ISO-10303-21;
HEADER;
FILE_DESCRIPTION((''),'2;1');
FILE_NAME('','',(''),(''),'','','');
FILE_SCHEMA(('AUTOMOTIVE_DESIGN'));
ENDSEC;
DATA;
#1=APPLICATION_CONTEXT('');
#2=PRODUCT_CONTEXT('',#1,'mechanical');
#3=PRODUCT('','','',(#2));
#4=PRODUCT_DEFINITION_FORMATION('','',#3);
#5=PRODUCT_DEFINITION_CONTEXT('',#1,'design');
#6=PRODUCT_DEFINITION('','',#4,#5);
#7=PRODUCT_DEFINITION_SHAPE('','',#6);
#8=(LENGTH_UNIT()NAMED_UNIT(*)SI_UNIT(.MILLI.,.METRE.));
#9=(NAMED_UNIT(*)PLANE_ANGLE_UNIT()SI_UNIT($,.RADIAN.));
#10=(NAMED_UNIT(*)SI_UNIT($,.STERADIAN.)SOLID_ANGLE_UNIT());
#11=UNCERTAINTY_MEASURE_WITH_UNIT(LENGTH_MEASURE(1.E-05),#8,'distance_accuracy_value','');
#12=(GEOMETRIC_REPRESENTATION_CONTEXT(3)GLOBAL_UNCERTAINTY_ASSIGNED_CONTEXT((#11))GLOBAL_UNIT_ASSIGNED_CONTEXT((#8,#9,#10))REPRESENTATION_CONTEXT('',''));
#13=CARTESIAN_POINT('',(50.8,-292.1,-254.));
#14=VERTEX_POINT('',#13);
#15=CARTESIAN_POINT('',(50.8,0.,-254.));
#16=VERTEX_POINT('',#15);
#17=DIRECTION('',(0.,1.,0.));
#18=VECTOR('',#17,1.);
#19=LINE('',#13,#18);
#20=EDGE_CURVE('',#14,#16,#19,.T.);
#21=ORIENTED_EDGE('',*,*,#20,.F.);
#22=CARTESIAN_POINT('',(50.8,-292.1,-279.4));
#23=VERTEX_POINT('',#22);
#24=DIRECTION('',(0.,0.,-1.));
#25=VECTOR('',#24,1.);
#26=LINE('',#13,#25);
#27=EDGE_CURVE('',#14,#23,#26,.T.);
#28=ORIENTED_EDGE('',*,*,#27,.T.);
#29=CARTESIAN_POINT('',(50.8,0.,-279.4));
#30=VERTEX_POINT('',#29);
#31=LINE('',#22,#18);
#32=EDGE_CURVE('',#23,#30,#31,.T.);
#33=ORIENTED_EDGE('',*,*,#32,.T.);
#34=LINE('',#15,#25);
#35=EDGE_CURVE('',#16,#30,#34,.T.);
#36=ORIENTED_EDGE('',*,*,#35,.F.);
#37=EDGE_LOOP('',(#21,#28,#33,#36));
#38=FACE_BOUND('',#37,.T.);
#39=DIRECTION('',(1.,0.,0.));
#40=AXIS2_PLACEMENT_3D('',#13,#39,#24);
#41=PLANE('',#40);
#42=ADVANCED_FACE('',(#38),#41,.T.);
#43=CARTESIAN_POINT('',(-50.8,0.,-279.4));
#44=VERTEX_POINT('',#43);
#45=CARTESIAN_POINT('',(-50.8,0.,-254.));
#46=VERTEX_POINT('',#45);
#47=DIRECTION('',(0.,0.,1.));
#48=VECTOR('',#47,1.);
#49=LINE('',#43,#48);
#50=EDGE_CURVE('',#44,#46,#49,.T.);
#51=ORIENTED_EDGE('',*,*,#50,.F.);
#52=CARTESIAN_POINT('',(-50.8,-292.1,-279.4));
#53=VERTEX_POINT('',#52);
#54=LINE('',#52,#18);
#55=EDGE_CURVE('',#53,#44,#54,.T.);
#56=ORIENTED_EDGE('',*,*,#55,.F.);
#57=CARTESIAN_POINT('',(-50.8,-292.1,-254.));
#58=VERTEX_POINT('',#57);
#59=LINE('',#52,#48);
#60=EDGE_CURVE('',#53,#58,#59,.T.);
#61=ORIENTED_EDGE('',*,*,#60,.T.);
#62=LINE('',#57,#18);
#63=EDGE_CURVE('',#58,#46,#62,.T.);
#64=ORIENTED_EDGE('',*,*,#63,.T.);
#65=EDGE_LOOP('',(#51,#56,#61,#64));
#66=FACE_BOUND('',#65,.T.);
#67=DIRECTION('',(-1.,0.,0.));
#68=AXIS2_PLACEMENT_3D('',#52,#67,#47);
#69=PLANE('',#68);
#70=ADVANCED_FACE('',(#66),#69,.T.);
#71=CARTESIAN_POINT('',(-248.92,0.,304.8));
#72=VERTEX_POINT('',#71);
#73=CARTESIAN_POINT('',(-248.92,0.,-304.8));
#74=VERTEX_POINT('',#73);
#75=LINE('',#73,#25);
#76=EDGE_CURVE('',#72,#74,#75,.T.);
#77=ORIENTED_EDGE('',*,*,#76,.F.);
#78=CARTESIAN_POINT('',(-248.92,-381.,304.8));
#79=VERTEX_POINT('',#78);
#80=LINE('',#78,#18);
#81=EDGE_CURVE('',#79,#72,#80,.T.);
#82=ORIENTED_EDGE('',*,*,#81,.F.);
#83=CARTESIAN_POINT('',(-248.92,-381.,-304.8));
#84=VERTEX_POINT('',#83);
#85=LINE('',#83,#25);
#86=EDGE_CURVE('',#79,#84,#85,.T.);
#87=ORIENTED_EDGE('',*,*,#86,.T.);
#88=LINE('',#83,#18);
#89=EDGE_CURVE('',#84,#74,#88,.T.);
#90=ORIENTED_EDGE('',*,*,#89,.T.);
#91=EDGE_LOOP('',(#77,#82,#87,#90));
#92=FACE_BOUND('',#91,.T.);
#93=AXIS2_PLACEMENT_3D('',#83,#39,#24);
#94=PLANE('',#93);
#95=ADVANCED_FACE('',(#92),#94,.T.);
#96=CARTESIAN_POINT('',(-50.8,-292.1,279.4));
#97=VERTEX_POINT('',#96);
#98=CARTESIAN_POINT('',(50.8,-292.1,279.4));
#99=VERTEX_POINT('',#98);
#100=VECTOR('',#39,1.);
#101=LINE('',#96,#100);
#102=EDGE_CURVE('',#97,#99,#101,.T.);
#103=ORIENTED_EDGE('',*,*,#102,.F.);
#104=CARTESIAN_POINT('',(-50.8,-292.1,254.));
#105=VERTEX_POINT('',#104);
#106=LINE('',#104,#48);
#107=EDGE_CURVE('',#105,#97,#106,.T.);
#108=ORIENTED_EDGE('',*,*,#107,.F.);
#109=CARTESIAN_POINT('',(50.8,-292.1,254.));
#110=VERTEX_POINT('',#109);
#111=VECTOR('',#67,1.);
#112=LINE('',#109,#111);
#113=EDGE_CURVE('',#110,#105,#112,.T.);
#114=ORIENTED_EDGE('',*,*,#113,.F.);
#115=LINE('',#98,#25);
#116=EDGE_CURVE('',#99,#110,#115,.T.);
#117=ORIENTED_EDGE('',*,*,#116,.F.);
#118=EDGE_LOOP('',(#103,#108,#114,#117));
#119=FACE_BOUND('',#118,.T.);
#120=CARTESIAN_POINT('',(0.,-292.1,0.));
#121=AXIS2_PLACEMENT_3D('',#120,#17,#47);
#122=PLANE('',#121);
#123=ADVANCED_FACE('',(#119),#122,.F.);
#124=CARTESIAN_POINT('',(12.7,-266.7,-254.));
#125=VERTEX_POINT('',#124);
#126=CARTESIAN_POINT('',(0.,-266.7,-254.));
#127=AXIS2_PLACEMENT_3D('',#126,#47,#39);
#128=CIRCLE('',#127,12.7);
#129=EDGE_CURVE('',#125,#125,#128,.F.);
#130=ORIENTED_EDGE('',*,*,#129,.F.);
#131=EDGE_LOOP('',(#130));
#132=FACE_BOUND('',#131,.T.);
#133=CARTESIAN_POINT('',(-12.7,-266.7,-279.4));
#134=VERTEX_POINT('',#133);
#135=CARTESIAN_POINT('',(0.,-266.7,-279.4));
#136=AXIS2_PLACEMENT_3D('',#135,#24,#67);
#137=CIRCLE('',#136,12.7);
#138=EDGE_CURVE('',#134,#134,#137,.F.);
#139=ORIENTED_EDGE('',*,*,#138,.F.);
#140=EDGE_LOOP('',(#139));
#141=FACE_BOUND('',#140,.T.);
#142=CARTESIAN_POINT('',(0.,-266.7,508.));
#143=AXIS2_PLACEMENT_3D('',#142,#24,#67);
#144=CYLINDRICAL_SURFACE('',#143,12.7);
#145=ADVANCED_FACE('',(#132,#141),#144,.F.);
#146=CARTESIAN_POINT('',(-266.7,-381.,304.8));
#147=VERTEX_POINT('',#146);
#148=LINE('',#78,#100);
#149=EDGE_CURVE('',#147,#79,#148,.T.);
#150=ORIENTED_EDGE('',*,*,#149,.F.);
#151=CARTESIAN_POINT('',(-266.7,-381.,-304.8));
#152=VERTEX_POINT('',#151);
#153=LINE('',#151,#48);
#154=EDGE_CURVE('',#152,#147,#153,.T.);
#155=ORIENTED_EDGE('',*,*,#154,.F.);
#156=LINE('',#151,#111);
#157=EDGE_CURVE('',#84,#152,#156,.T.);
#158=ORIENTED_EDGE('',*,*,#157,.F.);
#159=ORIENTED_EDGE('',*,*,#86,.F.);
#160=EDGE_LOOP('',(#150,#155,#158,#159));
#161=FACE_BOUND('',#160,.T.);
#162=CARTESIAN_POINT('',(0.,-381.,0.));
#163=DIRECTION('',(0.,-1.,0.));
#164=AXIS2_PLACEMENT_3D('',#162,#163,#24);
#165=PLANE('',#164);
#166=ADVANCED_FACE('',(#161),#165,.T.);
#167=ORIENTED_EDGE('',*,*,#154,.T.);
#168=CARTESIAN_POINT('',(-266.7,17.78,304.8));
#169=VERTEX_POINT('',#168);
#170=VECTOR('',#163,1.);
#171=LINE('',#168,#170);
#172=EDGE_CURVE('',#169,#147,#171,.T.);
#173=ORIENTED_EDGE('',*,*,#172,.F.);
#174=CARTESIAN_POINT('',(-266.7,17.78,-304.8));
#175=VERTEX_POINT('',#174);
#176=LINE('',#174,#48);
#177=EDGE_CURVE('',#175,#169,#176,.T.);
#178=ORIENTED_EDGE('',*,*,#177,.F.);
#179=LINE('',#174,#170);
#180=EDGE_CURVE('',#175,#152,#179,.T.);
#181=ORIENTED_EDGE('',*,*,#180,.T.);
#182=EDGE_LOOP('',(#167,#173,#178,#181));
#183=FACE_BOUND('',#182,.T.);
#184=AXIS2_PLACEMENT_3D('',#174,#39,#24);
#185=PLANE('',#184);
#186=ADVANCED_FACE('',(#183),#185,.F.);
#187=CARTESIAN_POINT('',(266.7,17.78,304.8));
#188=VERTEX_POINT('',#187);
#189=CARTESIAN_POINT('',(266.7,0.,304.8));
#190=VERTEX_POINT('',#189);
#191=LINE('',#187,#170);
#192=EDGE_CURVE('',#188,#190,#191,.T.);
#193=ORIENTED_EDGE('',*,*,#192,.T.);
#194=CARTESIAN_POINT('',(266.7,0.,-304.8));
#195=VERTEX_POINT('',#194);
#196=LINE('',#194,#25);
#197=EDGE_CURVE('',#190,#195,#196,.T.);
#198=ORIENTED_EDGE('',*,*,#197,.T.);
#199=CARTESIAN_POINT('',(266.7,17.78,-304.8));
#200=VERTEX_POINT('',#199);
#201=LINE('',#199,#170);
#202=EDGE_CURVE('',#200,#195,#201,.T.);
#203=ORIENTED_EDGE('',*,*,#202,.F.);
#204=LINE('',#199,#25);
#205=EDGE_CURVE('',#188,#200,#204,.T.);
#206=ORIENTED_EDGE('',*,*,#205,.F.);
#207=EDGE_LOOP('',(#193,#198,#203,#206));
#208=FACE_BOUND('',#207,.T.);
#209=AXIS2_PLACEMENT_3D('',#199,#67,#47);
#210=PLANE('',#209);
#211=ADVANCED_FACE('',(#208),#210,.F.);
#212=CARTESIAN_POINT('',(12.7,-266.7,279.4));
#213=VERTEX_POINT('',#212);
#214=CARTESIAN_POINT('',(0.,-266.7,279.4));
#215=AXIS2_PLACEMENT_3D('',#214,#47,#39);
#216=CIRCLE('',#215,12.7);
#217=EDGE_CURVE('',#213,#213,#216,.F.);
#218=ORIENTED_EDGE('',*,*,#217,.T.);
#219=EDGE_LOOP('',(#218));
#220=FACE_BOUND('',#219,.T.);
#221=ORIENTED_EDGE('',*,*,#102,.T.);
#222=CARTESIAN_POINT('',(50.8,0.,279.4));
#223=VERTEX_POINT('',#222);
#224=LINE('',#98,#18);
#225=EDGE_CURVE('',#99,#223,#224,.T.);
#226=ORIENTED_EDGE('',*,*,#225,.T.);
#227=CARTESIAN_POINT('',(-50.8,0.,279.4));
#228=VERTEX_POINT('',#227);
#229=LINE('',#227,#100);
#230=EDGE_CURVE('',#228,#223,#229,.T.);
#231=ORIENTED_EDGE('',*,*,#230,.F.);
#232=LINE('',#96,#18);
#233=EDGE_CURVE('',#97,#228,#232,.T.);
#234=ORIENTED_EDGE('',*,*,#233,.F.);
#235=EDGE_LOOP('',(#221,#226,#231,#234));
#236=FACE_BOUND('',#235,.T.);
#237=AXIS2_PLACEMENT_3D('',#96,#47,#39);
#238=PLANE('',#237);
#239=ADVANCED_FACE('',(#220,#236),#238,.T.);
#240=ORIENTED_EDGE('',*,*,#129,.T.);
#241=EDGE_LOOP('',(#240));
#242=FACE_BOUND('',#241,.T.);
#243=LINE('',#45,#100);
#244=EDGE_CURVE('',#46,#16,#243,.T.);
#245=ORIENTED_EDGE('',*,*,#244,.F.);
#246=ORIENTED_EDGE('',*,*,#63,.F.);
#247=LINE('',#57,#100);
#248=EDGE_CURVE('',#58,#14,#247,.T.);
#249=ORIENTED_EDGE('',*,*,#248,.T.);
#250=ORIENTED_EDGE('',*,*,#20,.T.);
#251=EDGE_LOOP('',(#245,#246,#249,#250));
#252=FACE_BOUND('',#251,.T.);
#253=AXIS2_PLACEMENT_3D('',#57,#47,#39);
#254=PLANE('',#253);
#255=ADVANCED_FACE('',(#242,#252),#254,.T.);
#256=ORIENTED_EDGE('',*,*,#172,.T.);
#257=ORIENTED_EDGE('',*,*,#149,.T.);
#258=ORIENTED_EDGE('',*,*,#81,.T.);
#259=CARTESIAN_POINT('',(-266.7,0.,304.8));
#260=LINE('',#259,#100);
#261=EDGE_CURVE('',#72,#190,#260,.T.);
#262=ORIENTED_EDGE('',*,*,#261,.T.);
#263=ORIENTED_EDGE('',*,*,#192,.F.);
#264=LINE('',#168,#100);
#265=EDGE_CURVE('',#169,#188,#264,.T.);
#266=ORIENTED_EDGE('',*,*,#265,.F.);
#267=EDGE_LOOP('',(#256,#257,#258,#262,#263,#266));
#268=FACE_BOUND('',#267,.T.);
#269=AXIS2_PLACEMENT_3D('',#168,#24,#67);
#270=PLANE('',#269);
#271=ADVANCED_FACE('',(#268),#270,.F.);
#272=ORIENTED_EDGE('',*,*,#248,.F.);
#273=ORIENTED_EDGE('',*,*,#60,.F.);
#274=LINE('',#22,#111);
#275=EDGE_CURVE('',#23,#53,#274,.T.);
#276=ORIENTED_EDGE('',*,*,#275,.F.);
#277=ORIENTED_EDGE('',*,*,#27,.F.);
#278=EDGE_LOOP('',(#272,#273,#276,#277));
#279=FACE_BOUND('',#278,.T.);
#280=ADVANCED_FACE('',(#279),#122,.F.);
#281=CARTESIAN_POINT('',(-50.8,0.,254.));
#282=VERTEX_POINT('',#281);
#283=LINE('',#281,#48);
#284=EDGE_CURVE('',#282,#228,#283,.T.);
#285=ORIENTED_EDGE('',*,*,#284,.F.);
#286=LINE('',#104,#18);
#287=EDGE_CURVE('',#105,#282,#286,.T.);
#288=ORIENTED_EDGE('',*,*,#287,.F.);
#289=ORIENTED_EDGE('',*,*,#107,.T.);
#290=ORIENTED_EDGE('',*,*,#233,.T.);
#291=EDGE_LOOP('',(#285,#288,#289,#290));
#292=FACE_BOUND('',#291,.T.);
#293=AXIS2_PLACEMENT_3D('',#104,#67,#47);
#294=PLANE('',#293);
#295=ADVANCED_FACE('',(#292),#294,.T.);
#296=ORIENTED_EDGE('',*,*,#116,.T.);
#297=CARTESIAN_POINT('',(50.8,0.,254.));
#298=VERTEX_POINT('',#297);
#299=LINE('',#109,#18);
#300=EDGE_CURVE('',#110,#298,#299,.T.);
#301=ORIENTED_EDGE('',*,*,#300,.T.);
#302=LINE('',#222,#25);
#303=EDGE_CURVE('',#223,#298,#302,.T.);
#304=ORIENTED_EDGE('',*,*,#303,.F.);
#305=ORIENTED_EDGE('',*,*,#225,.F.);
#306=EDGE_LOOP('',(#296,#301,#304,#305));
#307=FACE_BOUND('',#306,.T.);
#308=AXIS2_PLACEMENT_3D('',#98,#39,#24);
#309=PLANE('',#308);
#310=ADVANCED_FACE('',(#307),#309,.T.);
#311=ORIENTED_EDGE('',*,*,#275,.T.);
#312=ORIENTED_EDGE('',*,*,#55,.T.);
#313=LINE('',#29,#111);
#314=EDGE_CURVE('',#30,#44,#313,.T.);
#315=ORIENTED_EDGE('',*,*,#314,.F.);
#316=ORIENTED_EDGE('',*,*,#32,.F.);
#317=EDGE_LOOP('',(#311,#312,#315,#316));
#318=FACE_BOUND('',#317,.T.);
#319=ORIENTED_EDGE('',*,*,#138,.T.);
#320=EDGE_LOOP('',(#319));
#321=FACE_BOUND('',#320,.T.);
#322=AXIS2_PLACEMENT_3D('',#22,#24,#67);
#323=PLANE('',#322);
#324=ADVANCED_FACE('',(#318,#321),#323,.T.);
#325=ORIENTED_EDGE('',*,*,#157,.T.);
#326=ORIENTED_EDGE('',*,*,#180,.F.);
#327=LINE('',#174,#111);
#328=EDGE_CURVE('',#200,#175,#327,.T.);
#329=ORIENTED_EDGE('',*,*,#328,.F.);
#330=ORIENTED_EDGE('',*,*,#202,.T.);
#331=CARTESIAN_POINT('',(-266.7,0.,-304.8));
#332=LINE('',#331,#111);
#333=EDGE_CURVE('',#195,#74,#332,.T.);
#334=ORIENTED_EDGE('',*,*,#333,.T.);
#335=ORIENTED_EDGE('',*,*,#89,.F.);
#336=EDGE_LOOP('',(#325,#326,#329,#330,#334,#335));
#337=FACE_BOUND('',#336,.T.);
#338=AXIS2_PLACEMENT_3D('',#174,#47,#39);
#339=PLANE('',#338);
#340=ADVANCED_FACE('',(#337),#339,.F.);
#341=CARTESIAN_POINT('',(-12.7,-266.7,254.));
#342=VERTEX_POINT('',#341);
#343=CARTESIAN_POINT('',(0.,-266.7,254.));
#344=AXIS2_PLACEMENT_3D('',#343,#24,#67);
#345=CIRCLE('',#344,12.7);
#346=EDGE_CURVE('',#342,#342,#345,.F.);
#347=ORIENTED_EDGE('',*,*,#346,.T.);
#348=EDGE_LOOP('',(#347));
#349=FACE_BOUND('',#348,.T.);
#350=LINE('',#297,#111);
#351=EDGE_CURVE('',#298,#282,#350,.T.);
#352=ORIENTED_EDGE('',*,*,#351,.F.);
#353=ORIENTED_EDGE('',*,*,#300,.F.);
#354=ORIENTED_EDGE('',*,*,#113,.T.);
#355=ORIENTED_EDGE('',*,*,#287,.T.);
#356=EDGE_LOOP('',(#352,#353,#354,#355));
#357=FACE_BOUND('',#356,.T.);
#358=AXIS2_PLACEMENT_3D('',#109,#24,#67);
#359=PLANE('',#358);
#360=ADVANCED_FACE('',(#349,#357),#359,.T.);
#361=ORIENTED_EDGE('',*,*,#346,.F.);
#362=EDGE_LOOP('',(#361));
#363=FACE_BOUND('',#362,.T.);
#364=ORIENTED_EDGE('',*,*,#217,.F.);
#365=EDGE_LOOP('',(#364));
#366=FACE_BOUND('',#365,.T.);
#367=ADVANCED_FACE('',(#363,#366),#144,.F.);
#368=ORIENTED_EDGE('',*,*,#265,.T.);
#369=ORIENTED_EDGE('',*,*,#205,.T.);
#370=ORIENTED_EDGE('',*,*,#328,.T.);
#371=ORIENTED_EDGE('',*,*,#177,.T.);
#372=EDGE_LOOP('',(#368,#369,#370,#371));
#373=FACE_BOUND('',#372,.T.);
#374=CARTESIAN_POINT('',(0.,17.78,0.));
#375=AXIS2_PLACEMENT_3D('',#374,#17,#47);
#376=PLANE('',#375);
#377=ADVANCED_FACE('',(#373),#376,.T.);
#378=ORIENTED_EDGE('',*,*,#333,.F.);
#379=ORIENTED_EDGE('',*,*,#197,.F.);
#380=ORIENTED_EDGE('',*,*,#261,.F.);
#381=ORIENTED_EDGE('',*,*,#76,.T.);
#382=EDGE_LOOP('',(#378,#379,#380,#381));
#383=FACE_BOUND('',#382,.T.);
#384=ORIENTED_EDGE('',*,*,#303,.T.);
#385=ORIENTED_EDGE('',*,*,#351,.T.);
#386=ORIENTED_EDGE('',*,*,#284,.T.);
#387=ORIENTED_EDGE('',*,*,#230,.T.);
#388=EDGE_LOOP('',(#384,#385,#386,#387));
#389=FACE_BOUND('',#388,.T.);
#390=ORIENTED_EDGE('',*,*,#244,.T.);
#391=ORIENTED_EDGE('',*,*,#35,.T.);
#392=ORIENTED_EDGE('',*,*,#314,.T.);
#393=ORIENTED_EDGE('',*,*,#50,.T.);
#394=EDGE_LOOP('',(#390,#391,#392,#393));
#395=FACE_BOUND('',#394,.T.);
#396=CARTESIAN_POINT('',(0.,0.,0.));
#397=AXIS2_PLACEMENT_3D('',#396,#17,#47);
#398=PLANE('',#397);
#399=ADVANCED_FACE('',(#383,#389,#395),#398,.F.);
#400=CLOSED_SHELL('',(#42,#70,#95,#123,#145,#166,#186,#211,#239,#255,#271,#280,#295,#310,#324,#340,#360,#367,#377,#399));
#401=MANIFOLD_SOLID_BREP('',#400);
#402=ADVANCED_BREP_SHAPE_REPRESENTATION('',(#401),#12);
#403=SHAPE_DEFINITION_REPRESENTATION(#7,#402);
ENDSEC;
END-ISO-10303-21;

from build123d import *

# Parameters (mm, degrees)
SKETCH2_W               = 533.4
SKETCH2_H               = 609.6
SKETCH2_W_2             = 101.6
SKETCH2_H_2             = 25.4
BOSS_EXTRUDE1_DEPTH     = 17.78
SKETCH3_W               = 101.6
SKETCH3_H               = 25.4
BOSS_EXTRUDE2_DEPTH     = 17.78
SKETCH3_2_W             = 101.6
SKETCH3_2_H             = 25.4
BOSS_EXTRUDE3_DEPTH     = 292.1
CUT_EXTRUDE1_DEPTH      = 508
CUT_EXTRUDE1_DEPTH_BACK = 508
SKETCH4_R               = 12.7
SKETCH5_W               = 17.78
SKETCH5_H               = 609.6
BOSS_EXTRUDE4_DEPTH     = 381


with BuildPart() as part:
    # Sketch2 → Boss-Extrude1 (new body)
    with BuildSketch(Plane(origin=(0, 0, 0), x_dir=(1, 0, 0), z_dir=(0, 1, 0))):
        Rectangle(SKETCH2_W, SKETCH2_H)
        with Locations((0, -266.7)):
            Rectangle(SKETCH2_W_2, SKETCH2_H_2, mode=Mode.SUBTRACT)
        with Locations((0, 266.7)):
            Rectangle(SKETCH2_W_2, SKETCH2_H_2, mode=Mode.SUBTRACT)
    extrude(amount=BOSS_EXTRUDE1_DEPTH)

    # Sketch3 → Boss-Extrude2 (add)
    with BuildSketch(Plane(origin=(0, 0, 0), x_dir=(1, 0, 0), z_dir=(0, 1, 0))):
        with Locations((0, -266.7)):
            Rectangle(SKETCH3_W, SKETCH3_H)
        with Locations((0, 266.7)):
            Rectangle(SKETCH3_W, SKETCH3_H)
    extrude(amount=BOSS_EXTRUDE2_DEPTH)

    # Sketch3<2> → Boss-Extrude3 (add)
    with BuildSketch(Plane(origin=(0, 0, 0), x_dir=(1, 0, 0), z_dir=(0, 1, 0))):
        with Locations((0, -266.7)):
            Rectangle(SKETCH3_2_W, SKETCH3_2_H)
        with Locations((0, 266.7)):
            Rectangle(SKETCH3_2_W, SKETCH3_2_H)
    extrude(amount=-BOSS_EXTRUDE3_DEPTH)

    # Sketch4 → Cut-Extrude1 (cut, two sides: drawn at the far end of the back side and taken through both)
    with BuildSketch(Plane.XY.offset(-CUT_EXTRUDE1_DEPTH_BACK)):
        with Locations((0, -266.7)):
            Circle(SKETCH4_R)
    extrude(amount=CUT_EXTRUDE1_DEPTH + CUT_EXTRUDE1_DEPTH_BACK, mode=Mode.SUBTRACT)

    # Sketch5 → Boss-Extrude4 (add)
    with BuildSketch(Plane(origin=(0, 0, 0), x_dir=(1, 0, 0), z_dir=(0, 1, 0))):
        with Locations((-257.81, 0)):
            Rectangle(SKETCH5_W, SKETCH5_H)
    extrude(amount=-BOSS_EXTRUDE4_DEPTH)


solid = part.part
